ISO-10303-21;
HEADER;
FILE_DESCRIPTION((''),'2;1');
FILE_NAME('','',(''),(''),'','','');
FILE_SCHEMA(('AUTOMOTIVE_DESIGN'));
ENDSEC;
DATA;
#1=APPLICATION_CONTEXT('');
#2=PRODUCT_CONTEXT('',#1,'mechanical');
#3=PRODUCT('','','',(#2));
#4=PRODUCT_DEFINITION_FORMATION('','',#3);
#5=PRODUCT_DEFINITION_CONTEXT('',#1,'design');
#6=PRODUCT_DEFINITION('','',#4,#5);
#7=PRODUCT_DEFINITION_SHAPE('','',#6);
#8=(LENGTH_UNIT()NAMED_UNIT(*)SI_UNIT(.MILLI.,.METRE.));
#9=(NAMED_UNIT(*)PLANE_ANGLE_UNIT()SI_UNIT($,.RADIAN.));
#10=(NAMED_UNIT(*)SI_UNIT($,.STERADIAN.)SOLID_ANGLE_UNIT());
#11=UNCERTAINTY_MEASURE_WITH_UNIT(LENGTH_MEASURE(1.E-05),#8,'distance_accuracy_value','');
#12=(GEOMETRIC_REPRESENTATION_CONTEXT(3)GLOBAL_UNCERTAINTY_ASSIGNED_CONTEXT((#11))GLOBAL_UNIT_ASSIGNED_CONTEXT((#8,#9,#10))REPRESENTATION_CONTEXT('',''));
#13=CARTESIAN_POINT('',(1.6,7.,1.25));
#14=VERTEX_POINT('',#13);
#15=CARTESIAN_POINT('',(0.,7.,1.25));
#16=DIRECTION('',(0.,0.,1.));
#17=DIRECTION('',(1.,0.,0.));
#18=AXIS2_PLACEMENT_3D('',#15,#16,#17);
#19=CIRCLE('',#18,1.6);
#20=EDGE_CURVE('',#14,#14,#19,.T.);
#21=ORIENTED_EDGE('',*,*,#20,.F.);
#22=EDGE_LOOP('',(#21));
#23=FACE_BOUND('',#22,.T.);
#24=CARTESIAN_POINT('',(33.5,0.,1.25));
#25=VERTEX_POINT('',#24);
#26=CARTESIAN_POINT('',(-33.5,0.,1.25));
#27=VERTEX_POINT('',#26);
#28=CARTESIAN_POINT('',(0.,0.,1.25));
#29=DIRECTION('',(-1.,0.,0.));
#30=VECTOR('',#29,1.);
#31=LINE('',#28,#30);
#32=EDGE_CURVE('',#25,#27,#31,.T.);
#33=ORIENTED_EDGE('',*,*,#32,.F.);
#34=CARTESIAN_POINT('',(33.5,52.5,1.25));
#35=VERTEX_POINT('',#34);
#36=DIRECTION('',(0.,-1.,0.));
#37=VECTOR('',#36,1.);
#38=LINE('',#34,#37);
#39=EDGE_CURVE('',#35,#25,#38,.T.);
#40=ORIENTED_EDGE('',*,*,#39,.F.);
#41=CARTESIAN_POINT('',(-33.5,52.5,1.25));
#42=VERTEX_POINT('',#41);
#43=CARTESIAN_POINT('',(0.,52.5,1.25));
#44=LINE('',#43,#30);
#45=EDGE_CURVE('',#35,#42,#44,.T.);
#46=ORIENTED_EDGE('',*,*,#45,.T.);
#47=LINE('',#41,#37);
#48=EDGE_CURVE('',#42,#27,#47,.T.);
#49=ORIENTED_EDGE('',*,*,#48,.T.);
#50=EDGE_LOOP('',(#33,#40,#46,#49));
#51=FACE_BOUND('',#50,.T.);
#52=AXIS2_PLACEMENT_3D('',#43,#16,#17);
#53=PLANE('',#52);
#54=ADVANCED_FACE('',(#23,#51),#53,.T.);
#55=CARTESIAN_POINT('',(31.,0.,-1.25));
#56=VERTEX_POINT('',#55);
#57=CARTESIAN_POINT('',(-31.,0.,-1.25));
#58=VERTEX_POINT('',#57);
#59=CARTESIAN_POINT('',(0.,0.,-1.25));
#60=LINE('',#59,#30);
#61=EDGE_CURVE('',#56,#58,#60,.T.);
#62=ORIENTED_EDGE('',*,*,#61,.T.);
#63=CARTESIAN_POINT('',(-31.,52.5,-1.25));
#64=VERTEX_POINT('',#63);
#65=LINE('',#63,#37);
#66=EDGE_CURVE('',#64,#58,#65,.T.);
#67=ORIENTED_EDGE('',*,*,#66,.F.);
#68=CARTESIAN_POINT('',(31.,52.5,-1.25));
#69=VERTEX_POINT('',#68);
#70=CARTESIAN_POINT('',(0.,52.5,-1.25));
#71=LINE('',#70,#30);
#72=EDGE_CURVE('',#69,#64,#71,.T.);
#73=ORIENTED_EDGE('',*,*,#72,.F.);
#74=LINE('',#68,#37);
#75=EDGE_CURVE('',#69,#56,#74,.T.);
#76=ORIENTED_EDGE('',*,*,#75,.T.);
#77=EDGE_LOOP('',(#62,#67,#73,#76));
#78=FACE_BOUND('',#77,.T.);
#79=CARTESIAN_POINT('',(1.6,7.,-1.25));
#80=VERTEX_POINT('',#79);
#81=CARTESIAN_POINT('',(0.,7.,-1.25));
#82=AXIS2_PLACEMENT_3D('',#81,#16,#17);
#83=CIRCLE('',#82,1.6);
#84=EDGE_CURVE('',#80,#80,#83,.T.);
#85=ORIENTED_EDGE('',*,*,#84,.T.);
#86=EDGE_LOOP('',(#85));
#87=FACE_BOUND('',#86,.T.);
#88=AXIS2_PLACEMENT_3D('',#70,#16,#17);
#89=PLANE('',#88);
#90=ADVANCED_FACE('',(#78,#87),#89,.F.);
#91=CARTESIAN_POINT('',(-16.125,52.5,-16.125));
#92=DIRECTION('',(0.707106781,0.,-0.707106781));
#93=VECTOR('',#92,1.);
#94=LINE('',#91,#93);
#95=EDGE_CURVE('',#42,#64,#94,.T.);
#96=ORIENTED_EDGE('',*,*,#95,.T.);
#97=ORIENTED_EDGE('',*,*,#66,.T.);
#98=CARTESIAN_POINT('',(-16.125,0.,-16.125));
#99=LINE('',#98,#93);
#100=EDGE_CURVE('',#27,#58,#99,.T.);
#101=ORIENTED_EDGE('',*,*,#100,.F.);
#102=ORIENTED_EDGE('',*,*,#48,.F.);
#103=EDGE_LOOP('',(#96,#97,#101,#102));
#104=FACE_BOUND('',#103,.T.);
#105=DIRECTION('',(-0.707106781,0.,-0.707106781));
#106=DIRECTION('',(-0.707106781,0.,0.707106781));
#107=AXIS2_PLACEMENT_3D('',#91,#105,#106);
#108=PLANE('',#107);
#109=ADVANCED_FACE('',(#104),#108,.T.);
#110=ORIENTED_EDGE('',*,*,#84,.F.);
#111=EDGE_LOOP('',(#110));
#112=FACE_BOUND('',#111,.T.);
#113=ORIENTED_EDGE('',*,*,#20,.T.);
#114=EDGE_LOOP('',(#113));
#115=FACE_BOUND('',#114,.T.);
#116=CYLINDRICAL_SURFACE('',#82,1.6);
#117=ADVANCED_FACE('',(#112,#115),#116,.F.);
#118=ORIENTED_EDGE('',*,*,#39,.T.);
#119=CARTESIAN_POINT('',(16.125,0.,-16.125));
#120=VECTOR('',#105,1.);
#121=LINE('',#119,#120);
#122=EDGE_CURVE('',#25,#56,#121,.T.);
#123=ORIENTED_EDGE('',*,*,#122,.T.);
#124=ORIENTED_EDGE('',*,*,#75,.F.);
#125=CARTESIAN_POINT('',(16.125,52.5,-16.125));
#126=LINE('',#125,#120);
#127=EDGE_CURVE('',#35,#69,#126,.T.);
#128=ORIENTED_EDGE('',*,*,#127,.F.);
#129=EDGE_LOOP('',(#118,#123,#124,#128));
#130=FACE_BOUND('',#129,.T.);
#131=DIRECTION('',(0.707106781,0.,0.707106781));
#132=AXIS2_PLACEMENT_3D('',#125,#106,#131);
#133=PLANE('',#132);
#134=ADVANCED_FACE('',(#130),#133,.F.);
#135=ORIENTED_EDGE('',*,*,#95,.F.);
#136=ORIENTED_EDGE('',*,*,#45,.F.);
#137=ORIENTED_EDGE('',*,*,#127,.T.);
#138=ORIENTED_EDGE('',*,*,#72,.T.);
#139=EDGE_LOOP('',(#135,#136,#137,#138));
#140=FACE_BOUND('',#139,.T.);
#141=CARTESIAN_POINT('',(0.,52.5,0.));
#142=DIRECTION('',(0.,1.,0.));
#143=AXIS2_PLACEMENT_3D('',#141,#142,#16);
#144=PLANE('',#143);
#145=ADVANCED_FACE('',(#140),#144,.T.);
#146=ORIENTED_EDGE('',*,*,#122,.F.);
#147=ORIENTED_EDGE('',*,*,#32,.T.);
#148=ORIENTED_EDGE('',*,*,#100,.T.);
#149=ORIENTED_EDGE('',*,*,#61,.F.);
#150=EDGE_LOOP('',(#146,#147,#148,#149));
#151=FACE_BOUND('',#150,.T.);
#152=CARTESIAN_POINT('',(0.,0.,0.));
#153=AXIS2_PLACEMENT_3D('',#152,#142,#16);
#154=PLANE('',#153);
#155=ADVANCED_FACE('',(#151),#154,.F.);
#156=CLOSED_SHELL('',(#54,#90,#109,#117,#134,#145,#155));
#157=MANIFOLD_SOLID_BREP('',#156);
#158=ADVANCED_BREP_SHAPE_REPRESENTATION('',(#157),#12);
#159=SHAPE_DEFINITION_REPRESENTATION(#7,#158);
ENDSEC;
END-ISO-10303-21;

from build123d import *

# Parameters (mm, degrees)
BOSS_EXTRUDE1_DEPTH = 52.5
CUT_EXTRUDE1_DEPTH  = 63.327762674


with BuildPart() as part:
    # Sketch2 → Boss-Extrude1 (new body)
    with BuildSketch(Plane(origin=(0, 0, 0), x_dir=(1, 0, 0), z_dir=(0, 1, 0))):
        Polygon((-31, 1.25), (-33.5, -1.25), (33.5, -1.25), (31, 1.25), align=None)
    extrude(amount=BOSS_EXTRUDE1_DEPTH)

    # Sketch3 → Cut-Extrude1 (cut, through all)
    with BuildSketch(Plane.XY.offset(1.25)):
        with BuildLine():
            ThreePointArc((0, 8.6), (-1.6, 7), (0, 5.4))
            Line((0, 5.4), (0, 8.6))
        make_face()
        with BuildLine():
            Line((0, 8.6), (0, 5.4))
            ThreePointArc((0, 5.4), (1.13137085, 5.86862915), (1.6, 7))
            ThreePointArc((1.6, 7), (1.13137085, 8.13137085), (0, 8.6))
        make_face()
    extrude(amount=-CUT_EXTRUDE1_DEPTH, mode=Mode.SUBTRACT)


solid = part.part
